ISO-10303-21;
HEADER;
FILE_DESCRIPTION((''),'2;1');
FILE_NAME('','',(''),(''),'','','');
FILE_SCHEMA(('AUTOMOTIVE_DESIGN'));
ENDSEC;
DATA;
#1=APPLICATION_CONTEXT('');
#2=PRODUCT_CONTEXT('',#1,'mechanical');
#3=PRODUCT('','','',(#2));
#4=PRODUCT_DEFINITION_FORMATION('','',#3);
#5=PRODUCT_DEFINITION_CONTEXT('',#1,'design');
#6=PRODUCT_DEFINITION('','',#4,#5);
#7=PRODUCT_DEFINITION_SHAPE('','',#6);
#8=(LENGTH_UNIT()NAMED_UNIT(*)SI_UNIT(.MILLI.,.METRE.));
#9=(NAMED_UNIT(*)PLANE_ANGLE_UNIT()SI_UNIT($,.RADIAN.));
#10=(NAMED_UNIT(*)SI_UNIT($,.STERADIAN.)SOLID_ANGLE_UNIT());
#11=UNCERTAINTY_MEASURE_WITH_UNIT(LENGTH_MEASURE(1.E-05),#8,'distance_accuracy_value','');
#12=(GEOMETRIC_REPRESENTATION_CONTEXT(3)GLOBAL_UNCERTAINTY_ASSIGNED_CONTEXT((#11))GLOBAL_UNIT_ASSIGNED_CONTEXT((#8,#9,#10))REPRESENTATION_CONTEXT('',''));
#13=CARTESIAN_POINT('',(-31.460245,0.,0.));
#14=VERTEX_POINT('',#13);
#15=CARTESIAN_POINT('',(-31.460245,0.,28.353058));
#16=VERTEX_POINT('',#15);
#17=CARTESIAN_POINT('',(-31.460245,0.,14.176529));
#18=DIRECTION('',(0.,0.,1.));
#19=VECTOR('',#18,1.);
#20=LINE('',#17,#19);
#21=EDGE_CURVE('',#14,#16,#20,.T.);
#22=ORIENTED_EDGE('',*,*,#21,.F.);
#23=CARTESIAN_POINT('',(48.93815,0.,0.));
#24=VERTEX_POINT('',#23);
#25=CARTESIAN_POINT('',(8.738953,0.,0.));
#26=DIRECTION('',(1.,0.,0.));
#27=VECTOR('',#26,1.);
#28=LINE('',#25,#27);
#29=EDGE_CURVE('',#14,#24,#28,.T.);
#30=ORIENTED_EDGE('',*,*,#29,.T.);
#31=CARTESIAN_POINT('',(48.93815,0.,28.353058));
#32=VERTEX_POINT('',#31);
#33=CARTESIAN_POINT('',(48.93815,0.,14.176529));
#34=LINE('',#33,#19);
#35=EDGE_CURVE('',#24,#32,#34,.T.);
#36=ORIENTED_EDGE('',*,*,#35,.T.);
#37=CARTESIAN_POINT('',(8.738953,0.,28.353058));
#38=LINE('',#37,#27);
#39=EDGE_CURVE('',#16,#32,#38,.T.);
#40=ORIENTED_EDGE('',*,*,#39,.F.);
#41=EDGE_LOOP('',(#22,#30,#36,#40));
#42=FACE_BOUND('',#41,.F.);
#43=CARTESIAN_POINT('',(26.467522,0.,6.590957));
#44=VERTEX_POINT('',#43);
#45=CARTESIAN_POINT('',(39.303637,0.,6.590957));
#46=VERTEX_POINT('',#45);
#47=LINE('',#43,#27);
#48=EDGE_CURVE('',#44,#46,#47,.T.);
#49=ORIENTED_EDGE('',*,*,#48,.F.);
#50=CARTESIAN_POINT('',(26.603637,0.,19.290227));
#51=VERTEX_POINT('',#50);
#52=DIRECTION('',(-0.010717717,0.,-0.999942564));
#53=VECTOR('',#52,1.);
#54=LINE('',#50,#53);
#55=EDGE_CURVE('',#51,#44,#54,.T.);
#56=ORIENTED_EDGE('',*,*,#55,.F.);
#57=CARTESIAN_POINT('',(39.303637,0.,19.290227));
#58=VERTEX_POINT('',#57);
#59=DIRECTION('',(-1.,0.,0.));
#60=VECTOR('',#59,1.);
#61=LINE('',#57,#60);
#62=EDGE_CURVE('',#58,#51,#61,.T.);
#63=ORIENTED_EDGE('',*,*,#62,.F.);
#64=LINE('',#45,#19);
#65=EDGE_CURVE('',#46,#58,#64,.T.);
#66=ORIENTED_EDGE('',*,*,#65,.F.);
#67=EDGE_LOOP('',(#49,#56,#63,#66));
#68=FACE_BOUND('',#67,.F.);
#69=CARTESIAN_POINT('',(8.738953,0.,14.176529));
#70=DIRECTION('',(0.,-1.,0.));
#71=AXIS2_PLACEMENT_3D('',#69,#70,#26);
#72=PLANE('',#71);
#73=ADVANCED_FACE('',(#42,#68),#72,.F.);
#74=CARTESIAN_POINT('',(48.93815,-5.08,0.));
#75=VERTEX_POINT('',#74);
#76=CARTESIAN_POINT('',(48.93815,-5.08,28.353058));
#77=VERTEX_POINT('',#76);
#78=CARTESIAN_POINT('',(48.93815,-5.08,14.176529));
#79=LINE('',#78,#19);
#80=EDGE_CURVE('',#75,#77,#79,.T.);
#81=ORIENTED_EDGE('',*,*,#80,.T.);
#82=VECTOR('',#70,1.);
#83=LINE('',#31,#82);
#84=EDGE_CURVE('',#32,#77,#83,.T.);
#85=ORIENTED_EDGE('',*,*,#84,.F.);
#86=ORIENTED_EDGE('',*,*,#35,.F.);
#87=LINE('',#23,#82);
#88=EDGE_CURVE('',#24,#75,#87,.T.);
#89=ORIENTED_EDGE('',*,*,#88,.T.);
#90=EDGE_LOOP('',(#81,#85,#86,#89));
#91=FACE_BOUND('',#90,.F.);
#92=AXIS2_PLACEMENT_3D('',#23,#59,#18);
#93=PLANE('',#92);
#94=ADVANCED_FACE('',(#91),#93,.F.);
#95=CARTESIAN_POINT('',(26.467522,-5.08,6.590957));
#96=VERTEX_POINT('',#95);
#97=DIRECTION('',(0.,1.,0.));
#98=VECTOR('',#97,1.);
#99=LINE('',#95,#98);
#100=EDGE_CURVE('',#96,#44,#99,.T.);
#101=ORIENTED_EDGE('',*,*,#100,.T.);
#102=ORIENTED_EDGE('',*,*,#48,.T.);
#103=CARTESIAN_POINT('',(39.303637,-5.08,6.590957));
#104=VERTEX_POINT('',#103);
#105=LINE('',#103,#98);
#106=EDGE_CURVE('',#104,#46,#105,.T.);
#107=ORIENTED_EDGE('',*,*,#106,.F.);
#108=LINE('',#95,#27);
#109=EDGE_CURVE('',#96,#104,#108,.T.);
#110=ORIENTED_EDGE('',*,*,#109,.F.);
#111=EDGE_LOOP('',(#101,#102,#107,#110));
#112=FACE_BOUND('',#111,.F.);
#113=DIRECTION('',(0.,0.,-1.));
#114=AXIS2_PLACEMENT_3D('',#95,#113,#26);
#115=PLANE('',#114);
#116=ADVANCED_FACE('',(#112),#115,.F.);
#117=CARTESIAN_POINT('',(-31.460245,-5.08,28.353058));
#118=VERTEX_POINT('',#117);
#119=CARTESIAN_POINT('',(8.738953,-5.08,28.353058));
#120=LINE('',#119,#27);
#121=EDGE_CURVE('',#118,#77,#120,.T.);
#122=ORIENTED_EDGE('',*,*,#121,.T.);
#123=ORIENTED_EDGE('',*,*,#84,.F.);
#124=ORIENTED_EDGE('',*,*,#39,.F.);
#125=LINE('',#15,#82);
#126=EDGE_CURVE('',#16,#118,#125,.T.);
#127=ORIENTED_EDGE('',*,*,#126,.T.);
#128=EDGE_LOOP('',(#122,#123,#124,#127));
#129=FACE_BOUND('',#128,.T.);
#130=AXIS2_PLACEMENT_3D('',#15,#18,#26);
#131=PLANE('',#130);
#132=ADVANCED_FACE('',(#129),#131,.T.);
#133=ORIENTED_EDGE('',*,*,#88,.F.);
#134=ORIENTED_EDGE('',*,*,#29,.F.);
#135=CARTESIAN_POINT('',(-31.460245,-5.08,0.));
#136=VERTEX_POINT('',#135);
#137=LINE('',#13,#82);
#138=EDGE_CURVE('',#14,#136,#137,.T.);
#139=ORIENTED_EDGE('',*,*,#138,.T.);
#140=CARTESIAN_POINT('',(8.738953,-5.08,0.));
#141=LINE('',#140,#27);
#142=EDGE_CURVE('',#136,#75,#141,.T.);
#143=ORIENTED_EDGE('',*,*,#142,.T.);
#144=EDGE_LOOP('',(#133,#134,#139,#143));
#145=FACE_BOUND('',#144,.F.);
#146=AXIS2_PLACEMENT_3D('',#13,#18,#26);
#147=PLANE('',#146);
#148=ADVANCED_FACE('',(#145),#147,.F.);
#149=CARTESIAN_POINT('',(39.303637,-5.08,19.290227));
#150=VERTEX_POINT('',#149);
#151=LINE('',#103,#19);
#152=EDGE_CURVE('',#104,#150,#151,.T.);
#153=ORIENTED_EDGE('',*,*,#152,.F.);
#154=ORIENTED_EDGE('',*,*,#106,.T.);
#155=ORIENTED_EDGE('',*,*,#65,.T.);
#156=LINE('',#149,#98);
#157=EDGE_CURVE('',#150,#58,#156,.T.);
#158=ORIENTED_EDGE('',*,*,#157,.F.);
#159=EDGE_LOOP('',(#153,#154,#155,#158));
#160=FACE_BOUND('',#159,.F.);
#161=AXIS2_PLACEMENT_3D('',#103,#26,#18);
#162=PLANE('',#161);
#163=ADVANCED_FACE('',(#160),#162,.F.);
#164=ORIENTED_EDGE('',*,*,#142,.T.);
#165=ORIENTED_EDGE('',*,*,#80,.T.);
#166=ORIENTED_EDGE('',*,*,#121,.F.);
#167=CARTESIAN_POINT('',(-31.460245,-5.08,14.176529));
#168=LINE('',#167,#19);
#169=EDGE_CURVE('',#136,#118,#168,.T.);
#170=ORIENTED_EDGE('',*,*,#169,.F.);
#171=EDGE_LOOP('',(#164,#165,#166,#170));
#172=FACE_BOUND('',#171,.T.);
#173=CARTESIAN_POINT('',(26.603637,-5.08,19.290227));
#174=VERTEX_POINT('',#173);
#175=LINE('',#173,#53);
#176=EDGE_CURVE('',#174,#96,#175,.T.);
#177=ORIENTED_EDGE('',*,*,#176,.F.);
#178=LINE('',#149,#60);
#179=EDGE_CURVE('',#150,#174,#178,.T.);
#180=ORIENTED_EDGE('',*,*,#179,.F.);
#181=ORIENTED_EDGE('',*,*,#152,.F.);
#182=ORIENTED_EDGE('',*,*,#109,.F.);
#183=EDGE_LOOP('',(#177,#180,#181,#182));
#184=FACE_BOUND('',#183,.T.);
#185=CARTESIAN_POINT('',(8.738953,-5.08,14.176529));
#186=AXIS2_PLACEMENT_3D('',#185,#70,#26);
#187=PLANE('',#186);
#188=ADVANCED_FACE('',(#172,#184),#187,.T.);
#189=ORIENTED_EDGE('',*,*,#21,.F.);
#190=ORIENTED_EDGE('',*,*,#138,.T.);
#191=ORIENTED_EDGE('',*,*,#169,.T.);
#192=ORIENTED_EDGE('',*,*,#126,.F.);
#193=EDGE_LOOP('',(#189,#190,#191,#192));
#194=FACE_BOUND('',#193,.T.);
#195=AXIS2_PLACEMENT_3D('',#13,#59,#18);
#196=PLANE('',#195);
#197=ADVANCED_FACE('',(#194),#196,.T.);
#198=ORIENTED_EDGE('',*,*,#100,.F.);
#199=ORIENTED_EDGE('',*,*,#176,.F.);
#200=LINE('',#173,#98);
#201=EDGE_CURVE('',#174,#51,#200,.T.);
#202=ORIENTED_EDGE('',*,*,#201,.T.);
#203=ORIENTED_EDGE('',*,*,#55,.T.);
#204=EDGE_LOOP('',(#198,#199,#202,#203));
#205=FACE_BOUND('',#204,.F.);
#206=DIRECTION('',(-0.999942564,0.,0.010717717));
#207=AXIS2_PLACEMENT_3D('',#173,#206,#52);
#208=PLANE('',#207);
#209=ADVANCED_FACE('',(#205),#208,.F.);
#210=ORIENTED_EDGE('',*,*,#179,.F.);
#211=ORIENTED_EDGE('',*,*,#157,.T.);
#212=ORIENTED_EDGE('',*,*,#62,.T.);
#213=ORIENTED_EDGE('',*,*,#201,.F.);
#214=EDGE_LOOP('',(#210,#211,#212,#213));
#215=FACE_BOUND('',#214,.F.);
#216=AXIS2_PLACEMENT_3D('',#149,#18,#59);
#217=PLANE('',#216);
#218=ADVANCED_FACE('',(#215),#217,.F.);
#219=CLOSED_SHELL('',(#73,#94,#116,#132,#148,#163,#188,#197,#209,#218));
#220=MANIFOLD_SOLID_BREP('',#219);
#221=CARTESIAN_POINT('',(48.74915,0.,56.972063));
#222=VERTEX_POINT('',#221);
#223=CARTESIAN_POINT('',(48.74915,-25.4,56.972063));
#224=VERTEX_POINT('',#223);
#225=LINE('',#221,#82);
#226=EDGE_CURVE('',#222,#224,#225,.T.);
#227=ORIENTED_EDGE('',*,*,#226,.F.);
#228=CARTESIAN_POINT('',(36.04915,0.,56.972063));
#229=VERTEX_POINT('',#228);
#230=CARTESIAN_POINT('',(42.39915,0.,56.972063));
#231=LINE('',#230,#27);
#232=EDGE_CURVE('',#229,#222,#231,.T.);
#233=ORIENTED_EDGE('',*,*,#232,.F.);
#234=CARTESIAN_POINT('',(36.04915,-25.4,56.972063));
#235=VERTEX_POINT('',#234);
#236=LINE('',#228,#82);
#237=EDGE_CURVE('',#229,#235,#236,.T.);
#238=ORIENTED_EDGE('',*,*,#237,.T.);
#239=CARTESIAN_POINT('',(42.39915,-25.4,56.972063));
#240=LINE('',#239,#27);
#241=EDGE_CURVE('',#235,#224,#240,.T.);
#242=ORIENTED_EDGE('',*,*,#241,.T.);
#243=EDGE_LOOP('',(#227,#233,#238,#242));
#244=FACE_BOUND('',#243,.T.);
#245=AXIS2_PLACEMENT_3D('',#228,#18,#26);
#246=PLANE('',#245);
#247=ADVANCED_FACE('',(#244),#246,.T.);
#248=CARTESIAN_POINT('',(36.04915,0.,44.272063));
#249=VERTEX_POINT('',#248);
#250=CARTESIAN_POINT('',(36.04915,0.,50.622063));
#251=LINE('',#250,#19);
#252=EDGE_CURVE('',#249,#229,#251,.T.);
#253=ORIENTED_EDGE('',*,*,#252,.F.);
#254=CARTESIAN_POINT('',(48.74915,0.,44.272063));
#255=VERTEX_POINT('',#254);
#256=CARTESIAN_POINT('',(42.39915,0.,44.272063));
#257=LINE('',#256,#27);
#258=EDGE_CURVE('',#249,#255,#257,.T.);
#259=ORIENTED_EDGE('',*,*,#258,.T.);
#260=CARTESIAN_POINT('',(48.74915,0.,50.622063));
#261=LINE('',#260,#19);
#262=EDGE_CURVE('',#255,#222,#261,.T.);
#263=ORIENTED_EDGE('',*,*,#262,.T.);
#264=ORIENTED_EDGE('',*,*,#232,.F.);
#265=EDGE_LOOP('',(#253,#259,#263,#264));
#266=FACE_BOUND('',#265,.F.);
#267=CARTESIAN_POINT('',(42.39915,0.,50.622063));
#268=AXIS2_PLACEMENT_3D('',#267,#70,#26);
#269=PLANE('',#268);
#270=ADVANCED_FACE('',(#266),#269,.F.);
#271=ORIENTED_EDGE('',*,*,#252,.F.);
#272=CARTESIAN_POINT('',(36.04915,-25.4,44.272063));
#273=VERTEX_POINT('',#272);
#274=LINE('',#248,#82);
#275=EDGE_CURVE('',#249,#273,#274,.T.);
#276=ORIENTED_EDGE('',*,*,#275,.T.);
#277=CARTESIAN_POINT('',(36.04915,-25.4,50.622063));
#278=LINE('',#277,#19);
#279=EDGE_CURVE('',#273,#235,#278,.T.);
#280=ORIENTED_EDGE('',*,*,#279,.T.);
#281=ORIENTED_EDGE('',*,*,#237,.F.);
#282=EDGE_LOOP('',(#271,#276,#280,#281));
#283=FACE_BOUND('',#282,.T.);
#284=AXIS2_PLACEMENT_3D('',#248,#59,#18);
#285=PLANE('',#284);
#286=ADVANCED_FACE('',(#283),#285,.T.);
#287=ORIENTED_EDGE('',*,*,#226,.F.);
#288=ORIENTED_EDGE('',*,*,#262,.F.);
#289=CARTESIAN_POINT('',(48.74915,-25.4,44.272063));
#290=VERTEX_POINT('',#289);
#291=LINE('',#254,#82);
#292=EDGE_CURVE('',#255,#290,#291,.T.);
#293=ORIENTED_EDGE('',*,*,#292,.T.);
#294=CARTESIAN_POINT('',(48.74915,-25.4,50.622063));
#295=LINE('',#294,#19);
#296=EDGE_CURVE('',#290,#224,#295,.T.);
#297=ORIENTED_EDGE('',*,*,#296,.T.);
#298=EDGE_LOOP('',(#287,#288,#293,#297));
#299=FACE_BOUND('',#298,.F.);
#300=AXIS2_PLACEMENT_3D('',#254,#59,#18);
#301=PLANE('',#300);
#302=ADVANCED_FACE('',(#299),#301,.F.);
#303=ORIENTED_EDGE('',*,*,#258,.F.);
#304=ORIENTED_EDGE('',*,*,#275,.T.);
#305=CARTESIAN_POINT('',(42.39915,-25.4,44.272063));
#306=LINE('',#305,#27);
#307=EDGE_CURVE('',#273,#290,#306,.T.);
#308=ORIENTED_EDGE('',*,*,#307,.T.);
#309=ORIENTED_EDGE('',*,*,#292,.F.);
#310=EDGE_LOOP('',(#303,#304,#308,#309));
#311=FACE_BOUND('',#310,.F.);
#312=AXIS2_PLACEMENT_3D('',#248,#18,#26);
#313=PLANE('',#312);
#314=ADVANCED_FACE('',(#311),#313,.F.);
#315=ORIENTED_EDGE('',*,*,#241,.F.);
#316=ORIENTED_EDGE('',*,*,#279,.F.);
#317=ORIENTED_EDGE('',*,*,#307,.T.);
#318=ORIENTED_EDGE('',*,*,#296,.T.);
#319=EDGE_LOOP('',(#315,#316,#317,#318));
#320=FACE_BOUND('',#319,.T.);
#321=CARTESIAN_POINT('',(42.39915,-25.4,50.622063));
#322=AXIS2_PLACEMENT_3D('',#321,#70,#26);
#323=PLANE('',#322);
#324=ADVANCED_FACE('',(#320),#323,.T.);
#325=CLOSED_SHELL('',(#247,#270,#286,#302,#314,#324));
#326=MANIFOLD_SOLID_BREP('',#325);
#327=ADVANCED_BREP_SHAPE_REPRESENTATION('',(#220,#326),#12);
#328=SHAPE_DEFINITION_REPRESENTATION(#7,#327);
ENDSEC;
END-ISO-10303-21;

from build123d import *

# Parameters (mm, degrees)
F0_W     = 80.398395
F0_H     = 28.353058
F1_DEPTH = 5.08
F3_DEPTH = 5.08
F4_W     = 12.7
F4_H     = 12.7
F5_DEPTH = 25.4


with BuildPart() as f1:
    # F0 (on Front) → F1 (new body)
    with BuildSketch(Plane.XZ):
        with Locations((8.738953, 14.176529)):
            Rectangle(F0_W, F0_H)
    extrude(amount=F1_DEPTH)

    # F2 (on face) → F3 (cut)
    with BuildSketch(Plane.XZ.offset(5.08)):
        Polygon((26.603637, 19.290227), (26.467522, 6.590957), (39.303637, 6.590957), (39.303637, 19.290227), align=None)
    extrude(amount=-F3_DEPTH, mode=Mode.SUBTRACT)


with BuildPart() as f5:
    # F4 (on Front) → F5 (new body)
    with BuildSketch(Plane.XZ):
        with Locations((42.39915, 50.622063)):
            Rectangle(F4_W, F4_H)
    extrude(amount=F5_DEPTH)


solid = Compound([f1.part, f5.part])
